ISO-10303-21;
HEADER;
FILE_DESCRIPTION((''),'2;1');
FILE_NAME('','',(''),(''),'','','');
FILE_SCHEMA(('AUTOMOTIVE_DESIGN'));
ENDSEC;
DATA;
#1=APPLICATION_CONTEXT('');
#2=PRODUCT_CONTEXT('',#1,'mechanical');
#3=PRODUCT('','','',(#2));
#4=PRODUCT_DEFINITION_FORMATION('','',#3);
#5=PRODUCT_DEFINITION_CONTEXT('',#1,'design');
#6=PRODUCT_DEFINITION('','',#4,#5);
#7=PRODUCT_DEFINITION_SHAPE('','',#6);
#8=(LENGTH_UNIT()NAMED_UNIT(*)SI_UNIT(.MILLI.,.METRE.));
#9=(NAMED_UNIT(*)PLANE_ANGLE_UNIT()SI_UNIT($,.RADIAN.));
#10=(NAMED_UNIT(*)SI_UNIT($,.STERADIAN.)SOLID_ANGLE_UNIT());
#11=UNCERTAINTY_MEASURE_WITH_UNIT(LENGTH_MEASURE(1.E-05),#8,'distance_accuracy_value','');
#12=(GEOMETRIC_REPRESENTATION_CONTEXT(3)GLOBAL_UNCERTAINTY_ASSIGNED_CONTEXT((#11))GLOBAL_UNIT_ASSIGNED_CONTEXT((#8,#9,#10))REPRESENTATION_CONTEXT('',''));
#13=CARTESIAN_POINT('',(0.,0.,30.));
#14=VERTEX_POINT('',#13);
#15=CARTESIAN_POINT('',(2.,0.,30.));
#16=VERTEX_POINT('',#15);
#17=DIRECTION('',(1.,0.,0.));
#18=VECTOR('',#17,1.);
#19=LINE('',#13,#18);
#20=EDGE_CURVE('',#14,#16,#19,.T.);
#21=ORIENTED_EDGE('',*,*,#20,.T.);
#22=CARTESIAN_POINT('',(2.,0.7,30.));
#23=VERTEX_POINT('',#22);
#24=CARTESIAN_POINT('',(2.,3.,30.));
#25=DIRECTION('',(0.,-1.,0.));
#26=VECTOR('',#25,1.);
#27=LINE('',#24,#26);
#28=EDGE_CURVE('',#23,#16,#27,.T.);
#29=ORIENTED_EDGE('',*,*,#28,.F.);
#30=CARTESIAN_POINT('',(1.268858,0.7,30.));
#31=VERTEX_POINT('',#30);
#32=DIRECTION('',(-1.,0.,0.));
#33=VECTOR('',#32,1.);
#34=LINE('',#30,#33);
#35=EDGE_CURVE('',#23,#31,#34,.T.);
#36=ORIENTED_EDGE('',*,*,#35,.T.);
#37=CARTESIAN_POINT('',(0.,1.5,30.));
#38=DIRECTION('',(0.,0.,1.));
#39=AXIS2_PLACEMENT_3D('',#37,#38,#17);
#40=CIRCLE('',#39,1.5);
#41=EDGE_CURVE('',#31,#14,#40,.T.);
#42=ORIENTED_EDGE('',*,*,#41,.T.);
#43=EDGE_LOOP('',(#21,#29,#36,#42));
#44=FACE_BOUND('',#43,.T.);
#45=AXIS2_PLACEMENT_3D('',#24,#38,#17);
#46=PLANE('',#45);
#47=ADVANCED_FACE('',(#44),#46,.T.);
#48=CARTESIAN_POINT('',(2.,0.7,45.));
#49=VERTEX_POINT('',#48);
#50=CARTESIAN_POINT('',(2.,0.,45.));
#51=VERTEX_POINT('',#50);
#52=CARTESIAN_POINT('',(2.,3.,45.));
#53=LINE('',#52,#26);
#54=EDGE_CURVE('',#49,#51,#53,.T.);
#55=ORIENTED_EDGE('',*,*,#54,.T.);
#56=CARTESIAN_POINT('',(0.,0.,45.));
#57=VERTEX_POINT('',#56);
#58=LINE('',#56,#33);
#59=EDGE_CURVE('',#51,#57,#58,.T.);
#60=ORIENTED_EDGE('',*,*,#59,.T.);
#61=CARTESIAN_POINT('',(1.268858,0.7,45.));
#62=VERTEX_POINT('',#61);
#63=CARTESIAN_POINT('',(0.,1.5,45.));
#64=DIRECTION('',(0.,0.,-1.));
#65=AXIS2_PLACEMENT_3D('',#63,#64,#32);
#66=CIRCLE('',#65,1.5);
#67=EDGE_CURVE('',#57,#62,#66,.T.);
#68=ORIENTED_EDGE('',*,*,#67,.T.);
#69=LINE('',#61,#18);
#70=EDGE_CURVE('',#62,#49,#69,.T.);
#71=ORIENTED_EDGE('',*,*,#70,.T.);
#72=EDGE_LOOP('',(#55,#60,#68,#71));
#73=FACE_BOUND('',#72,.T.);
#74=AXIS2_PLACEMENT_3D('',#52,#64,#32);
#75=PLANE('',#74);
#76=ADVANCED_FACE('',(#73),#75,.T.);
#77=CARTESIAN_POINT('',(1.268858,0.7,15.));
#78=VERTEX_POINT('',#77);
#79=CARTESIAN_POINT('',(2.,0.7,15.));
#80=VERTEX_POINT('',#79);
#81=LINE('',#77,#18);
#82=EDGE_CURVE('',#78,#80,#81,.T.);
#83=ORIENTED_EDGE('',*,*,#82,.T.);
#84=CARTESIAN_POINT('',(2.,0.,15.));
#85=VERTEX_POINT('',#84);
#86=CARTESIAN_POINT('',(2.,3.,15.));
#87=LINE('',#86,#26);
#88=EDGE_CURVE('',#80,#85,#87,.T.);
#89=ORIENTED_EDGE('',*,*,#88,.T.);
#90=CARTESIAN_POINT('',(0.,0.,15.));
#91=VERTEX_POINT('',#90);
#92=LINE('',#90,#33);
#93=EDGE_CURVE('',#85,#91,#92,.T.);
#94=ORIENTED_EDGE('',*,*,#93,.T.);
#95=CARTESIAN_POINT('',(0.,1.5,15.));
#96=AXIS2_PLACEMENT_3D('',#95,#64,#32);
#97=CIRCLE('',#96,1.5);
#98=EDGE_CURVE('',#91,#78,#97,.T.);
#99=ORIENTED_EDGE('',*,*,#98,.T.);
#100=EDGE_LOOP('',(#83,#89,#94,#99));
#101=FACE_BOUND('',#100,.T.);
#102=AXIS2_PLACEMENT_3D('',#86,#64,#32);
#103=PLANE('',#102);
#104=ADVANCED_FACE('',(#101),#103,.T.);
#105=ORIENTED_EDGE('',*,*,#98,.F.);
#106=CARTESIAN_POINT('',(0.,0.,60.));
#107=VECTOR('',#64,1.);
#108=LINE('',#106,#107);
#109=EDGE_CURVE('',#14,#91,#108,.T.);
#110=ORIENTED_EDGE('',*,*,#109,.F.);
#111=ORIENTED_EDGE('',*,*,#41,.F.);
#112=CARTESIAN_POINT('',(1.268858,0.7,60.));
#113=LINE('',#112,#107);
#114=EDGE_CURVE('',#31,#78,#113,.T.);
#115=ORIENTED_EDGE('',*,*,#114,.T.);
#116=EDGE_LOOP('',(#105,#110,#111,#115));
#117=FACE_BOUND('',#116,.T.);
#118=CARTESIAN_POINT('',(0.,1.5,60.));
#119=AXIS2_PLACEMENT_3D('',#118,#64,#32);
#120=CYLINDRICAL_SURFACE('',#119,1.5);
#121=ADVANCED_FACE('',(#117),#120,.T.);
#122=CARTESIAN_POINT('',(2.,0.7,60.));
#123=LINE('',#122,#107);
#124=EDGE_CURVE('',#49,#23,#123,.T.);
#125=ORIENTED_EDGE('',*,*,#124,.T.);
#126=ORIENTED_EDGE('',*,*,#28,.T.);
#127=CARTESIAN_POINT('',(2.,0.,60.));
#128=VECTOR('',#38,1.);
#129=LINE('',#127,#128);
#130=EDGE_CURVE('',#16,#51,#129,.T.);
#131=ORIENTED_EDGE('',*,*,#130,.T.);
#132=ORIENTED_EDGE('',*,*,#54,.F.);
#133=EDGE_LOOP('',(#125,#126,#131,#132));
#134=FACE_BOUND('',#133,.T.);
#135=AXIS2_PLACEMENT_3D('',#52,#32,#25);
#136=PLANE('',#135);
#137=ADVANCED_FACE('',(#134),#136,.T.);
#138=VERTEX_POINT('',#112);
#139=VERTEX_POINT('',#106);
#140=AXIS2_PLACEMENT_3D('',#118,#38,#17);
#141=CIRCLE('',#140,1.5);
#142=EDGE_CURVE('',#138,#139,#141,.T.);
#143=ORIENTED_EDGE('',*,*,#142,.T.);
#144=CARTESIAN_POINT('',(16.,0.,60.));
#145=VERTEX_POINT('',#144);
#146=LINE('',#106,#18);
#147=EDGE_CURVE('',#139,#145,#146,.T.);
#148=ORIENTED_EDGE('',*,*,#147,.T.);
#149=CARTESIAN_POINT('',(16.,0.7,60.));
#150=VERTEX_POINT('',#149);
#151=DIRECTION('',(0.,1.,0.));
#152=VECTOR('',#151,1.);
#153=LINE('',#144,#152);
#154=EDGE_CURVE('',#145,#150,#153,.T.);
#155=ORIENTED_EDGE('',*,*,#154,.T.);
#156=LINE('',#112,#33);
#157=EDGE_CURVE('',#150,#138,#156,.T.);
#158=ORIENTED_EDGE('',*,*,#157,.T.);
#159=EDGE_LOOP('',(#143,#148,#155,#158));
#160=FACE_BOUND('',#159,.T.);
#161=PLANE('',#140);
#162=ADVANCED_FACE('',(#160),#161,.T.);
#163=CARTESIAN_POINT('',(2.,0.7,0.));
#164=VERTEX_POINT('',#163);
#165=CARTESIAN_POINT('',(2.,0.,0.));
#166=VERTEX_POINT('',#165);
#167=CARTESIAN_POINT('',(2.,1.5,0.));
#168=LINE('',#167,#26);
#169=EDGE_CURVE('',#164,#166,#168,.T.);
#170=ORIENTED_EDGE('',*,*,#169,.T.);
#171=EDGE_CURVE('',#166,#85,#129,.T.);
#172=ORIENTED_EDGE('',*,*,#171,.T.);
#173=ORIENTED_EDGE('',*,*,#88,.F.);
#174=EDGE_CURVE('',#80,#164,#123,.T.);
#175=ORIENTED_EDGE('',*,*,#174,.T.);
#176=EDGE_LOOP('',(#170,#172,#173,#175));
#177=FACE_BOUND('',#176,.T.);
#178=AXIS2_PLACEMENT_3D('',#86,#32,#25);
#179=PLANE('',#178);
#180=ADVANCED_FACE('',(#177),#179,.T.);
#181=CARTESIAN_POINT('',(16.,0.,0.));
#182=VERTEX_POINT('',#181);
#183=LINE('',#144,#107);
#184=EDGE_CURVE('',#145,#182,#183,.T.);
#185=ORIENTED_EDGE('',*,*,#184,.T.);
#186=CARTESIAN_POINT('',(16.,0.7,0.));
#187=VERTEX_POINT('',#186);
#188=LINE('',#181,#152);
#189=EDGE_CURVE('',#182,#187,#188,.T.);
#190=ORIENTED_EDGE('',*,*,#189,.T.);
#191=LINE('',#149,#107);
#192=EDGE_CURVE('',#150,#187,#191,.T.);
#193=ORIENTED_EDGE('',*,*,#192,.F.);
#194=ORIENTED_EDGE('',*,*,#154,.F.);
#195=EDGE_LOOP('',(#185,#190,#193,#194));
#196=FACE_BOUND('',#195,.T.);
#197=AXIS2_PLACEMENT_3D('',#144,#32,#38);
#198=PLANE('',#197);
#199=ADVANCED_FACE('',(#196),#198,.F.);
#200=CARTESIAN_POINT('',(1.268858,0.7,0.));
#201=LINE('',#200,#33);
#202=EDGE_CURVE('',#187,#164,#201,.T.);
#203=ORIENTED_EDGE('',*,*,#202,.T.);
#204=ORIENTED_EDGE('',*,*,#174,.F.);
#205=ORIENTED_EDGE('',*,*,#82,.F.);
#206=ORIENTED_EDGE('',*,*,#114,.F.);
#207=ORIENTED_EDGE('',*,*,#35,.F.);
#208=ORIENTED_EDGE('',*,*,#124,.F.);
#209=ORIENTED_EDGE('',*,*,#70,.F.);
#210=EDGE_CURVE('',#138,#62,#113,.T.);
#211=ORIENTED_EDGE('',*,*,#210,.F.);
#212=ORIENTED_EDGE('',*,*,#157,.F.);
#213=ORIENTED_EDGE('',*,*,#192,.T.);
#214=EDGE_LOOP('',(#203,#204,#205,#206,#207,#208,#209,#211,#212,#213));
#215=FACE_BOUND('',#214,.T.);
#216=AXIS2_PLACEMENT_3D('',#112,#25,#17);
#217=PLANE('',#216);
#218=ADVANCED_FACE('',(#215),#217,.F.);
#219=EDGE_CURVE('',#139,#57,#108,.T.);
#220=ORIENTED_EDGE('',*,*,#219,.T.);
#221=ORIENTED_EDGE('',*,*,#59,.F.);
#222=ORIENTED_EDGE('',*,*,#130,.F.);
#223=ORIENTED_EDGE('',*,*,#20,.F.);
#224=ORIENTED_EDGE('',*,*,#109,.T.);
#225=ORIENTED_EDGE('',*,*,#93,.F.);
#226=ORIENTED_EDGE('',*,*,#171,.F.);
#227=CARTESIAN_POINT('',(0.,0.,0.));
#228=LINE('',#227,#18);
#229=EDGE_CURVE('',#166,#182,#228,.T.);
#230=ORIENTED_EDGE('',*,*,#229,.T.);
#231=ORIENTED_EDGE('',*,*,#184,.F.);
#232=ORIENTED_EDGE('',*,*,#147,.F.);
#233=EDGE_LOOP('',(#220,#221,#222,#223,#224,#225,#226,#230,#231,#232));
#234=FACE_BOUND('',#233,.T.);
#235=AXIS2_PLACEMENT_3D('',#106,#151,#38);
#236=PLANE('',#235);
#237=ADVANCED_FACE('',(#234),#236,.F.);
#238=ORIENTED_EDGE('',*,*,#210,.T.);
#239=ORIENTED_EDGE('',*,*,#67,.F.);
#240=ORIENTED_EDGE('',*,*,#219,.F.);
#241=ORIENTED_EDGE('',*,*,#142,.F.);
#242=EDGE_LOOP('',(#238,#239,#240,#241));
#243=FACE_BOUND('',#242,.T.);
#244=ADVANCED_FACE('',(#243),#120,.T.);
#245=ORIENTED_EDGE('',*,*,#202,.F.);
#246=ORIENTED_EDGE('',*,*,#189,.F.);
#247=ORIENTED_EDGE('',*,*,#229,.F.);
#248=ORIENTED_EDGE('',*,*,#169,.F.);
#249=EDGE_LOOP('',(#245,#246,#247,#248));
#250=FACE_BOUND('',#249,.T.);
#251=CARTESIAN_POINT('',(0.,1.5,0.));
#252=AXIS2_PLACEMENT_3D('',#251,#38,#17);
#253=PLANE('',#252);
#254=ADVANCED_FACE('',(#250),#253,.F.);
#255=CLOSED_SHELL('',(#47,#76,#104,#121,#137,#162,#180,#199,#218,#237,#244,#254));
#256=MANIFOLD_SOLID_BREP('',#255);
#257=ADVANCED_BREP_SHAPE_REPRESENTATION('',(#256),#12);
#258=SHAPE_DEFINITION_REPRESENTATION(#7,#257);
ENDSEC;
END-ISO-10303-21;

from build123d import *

# Parameters (mm, degrees)
EXTRUSION1_DEPTH           = 60
EXTRUSION2_START           = -10
ESQUISSE2_W                = 7.046962448
ESQUISSE2_H                = 15
EXTRUSION2_DEPTH           = 73.139279043
R_P_TITION_LIN_AIRE1_COUNT = 2
R_P_TITION_LIN_AIRE1_PITCH = 30


with BuildPart() as part:
    # Esquisse1 → Extrusion1 (new body)
    with BuildSketch(Plane.XY):
        with BuildLine():
            Line((0, 0), (16, 0))
            Line((16, 0), (16, 0.7))
            Line((16, 0.7), (1.268857754, 0.7))
            ThreePointArc((1.268857754, 0.7), (-0.724568837, 2.813392554), (0, 0))
        make_face()
    extrude(amount=EXTRUSION1_DEPTH)

    # Esquisse2 → Extrusion2 (cut, through all)
    with BuildSketch(Plane(origin=(0, 0.7, 0), x_dir=(1, 0, 0), z_dir=(0, 1, 0)).offset(EXTRUSION2_START)):
        with Locations((-1.523481224, -37.5)):
            Rectangle(ESQUISSE2_W, ESQUISSE2_H)
    extrusion2 = extrude(amount=EXTRUSION2_DEPTH, mode=Mode.SUBTRACT)

    # Répétition linéaire1: Extrusion2 ×2
    with Locations(*[(0, 0, -i * R_P_TITION_LIN_AIRE1_PITCH) for i in range(1, R_P_TITION_LIN_AIRE1_COUNT)]):
        add(extrusion2, mode=Mode.SUBTRACT)


solid = part.part
